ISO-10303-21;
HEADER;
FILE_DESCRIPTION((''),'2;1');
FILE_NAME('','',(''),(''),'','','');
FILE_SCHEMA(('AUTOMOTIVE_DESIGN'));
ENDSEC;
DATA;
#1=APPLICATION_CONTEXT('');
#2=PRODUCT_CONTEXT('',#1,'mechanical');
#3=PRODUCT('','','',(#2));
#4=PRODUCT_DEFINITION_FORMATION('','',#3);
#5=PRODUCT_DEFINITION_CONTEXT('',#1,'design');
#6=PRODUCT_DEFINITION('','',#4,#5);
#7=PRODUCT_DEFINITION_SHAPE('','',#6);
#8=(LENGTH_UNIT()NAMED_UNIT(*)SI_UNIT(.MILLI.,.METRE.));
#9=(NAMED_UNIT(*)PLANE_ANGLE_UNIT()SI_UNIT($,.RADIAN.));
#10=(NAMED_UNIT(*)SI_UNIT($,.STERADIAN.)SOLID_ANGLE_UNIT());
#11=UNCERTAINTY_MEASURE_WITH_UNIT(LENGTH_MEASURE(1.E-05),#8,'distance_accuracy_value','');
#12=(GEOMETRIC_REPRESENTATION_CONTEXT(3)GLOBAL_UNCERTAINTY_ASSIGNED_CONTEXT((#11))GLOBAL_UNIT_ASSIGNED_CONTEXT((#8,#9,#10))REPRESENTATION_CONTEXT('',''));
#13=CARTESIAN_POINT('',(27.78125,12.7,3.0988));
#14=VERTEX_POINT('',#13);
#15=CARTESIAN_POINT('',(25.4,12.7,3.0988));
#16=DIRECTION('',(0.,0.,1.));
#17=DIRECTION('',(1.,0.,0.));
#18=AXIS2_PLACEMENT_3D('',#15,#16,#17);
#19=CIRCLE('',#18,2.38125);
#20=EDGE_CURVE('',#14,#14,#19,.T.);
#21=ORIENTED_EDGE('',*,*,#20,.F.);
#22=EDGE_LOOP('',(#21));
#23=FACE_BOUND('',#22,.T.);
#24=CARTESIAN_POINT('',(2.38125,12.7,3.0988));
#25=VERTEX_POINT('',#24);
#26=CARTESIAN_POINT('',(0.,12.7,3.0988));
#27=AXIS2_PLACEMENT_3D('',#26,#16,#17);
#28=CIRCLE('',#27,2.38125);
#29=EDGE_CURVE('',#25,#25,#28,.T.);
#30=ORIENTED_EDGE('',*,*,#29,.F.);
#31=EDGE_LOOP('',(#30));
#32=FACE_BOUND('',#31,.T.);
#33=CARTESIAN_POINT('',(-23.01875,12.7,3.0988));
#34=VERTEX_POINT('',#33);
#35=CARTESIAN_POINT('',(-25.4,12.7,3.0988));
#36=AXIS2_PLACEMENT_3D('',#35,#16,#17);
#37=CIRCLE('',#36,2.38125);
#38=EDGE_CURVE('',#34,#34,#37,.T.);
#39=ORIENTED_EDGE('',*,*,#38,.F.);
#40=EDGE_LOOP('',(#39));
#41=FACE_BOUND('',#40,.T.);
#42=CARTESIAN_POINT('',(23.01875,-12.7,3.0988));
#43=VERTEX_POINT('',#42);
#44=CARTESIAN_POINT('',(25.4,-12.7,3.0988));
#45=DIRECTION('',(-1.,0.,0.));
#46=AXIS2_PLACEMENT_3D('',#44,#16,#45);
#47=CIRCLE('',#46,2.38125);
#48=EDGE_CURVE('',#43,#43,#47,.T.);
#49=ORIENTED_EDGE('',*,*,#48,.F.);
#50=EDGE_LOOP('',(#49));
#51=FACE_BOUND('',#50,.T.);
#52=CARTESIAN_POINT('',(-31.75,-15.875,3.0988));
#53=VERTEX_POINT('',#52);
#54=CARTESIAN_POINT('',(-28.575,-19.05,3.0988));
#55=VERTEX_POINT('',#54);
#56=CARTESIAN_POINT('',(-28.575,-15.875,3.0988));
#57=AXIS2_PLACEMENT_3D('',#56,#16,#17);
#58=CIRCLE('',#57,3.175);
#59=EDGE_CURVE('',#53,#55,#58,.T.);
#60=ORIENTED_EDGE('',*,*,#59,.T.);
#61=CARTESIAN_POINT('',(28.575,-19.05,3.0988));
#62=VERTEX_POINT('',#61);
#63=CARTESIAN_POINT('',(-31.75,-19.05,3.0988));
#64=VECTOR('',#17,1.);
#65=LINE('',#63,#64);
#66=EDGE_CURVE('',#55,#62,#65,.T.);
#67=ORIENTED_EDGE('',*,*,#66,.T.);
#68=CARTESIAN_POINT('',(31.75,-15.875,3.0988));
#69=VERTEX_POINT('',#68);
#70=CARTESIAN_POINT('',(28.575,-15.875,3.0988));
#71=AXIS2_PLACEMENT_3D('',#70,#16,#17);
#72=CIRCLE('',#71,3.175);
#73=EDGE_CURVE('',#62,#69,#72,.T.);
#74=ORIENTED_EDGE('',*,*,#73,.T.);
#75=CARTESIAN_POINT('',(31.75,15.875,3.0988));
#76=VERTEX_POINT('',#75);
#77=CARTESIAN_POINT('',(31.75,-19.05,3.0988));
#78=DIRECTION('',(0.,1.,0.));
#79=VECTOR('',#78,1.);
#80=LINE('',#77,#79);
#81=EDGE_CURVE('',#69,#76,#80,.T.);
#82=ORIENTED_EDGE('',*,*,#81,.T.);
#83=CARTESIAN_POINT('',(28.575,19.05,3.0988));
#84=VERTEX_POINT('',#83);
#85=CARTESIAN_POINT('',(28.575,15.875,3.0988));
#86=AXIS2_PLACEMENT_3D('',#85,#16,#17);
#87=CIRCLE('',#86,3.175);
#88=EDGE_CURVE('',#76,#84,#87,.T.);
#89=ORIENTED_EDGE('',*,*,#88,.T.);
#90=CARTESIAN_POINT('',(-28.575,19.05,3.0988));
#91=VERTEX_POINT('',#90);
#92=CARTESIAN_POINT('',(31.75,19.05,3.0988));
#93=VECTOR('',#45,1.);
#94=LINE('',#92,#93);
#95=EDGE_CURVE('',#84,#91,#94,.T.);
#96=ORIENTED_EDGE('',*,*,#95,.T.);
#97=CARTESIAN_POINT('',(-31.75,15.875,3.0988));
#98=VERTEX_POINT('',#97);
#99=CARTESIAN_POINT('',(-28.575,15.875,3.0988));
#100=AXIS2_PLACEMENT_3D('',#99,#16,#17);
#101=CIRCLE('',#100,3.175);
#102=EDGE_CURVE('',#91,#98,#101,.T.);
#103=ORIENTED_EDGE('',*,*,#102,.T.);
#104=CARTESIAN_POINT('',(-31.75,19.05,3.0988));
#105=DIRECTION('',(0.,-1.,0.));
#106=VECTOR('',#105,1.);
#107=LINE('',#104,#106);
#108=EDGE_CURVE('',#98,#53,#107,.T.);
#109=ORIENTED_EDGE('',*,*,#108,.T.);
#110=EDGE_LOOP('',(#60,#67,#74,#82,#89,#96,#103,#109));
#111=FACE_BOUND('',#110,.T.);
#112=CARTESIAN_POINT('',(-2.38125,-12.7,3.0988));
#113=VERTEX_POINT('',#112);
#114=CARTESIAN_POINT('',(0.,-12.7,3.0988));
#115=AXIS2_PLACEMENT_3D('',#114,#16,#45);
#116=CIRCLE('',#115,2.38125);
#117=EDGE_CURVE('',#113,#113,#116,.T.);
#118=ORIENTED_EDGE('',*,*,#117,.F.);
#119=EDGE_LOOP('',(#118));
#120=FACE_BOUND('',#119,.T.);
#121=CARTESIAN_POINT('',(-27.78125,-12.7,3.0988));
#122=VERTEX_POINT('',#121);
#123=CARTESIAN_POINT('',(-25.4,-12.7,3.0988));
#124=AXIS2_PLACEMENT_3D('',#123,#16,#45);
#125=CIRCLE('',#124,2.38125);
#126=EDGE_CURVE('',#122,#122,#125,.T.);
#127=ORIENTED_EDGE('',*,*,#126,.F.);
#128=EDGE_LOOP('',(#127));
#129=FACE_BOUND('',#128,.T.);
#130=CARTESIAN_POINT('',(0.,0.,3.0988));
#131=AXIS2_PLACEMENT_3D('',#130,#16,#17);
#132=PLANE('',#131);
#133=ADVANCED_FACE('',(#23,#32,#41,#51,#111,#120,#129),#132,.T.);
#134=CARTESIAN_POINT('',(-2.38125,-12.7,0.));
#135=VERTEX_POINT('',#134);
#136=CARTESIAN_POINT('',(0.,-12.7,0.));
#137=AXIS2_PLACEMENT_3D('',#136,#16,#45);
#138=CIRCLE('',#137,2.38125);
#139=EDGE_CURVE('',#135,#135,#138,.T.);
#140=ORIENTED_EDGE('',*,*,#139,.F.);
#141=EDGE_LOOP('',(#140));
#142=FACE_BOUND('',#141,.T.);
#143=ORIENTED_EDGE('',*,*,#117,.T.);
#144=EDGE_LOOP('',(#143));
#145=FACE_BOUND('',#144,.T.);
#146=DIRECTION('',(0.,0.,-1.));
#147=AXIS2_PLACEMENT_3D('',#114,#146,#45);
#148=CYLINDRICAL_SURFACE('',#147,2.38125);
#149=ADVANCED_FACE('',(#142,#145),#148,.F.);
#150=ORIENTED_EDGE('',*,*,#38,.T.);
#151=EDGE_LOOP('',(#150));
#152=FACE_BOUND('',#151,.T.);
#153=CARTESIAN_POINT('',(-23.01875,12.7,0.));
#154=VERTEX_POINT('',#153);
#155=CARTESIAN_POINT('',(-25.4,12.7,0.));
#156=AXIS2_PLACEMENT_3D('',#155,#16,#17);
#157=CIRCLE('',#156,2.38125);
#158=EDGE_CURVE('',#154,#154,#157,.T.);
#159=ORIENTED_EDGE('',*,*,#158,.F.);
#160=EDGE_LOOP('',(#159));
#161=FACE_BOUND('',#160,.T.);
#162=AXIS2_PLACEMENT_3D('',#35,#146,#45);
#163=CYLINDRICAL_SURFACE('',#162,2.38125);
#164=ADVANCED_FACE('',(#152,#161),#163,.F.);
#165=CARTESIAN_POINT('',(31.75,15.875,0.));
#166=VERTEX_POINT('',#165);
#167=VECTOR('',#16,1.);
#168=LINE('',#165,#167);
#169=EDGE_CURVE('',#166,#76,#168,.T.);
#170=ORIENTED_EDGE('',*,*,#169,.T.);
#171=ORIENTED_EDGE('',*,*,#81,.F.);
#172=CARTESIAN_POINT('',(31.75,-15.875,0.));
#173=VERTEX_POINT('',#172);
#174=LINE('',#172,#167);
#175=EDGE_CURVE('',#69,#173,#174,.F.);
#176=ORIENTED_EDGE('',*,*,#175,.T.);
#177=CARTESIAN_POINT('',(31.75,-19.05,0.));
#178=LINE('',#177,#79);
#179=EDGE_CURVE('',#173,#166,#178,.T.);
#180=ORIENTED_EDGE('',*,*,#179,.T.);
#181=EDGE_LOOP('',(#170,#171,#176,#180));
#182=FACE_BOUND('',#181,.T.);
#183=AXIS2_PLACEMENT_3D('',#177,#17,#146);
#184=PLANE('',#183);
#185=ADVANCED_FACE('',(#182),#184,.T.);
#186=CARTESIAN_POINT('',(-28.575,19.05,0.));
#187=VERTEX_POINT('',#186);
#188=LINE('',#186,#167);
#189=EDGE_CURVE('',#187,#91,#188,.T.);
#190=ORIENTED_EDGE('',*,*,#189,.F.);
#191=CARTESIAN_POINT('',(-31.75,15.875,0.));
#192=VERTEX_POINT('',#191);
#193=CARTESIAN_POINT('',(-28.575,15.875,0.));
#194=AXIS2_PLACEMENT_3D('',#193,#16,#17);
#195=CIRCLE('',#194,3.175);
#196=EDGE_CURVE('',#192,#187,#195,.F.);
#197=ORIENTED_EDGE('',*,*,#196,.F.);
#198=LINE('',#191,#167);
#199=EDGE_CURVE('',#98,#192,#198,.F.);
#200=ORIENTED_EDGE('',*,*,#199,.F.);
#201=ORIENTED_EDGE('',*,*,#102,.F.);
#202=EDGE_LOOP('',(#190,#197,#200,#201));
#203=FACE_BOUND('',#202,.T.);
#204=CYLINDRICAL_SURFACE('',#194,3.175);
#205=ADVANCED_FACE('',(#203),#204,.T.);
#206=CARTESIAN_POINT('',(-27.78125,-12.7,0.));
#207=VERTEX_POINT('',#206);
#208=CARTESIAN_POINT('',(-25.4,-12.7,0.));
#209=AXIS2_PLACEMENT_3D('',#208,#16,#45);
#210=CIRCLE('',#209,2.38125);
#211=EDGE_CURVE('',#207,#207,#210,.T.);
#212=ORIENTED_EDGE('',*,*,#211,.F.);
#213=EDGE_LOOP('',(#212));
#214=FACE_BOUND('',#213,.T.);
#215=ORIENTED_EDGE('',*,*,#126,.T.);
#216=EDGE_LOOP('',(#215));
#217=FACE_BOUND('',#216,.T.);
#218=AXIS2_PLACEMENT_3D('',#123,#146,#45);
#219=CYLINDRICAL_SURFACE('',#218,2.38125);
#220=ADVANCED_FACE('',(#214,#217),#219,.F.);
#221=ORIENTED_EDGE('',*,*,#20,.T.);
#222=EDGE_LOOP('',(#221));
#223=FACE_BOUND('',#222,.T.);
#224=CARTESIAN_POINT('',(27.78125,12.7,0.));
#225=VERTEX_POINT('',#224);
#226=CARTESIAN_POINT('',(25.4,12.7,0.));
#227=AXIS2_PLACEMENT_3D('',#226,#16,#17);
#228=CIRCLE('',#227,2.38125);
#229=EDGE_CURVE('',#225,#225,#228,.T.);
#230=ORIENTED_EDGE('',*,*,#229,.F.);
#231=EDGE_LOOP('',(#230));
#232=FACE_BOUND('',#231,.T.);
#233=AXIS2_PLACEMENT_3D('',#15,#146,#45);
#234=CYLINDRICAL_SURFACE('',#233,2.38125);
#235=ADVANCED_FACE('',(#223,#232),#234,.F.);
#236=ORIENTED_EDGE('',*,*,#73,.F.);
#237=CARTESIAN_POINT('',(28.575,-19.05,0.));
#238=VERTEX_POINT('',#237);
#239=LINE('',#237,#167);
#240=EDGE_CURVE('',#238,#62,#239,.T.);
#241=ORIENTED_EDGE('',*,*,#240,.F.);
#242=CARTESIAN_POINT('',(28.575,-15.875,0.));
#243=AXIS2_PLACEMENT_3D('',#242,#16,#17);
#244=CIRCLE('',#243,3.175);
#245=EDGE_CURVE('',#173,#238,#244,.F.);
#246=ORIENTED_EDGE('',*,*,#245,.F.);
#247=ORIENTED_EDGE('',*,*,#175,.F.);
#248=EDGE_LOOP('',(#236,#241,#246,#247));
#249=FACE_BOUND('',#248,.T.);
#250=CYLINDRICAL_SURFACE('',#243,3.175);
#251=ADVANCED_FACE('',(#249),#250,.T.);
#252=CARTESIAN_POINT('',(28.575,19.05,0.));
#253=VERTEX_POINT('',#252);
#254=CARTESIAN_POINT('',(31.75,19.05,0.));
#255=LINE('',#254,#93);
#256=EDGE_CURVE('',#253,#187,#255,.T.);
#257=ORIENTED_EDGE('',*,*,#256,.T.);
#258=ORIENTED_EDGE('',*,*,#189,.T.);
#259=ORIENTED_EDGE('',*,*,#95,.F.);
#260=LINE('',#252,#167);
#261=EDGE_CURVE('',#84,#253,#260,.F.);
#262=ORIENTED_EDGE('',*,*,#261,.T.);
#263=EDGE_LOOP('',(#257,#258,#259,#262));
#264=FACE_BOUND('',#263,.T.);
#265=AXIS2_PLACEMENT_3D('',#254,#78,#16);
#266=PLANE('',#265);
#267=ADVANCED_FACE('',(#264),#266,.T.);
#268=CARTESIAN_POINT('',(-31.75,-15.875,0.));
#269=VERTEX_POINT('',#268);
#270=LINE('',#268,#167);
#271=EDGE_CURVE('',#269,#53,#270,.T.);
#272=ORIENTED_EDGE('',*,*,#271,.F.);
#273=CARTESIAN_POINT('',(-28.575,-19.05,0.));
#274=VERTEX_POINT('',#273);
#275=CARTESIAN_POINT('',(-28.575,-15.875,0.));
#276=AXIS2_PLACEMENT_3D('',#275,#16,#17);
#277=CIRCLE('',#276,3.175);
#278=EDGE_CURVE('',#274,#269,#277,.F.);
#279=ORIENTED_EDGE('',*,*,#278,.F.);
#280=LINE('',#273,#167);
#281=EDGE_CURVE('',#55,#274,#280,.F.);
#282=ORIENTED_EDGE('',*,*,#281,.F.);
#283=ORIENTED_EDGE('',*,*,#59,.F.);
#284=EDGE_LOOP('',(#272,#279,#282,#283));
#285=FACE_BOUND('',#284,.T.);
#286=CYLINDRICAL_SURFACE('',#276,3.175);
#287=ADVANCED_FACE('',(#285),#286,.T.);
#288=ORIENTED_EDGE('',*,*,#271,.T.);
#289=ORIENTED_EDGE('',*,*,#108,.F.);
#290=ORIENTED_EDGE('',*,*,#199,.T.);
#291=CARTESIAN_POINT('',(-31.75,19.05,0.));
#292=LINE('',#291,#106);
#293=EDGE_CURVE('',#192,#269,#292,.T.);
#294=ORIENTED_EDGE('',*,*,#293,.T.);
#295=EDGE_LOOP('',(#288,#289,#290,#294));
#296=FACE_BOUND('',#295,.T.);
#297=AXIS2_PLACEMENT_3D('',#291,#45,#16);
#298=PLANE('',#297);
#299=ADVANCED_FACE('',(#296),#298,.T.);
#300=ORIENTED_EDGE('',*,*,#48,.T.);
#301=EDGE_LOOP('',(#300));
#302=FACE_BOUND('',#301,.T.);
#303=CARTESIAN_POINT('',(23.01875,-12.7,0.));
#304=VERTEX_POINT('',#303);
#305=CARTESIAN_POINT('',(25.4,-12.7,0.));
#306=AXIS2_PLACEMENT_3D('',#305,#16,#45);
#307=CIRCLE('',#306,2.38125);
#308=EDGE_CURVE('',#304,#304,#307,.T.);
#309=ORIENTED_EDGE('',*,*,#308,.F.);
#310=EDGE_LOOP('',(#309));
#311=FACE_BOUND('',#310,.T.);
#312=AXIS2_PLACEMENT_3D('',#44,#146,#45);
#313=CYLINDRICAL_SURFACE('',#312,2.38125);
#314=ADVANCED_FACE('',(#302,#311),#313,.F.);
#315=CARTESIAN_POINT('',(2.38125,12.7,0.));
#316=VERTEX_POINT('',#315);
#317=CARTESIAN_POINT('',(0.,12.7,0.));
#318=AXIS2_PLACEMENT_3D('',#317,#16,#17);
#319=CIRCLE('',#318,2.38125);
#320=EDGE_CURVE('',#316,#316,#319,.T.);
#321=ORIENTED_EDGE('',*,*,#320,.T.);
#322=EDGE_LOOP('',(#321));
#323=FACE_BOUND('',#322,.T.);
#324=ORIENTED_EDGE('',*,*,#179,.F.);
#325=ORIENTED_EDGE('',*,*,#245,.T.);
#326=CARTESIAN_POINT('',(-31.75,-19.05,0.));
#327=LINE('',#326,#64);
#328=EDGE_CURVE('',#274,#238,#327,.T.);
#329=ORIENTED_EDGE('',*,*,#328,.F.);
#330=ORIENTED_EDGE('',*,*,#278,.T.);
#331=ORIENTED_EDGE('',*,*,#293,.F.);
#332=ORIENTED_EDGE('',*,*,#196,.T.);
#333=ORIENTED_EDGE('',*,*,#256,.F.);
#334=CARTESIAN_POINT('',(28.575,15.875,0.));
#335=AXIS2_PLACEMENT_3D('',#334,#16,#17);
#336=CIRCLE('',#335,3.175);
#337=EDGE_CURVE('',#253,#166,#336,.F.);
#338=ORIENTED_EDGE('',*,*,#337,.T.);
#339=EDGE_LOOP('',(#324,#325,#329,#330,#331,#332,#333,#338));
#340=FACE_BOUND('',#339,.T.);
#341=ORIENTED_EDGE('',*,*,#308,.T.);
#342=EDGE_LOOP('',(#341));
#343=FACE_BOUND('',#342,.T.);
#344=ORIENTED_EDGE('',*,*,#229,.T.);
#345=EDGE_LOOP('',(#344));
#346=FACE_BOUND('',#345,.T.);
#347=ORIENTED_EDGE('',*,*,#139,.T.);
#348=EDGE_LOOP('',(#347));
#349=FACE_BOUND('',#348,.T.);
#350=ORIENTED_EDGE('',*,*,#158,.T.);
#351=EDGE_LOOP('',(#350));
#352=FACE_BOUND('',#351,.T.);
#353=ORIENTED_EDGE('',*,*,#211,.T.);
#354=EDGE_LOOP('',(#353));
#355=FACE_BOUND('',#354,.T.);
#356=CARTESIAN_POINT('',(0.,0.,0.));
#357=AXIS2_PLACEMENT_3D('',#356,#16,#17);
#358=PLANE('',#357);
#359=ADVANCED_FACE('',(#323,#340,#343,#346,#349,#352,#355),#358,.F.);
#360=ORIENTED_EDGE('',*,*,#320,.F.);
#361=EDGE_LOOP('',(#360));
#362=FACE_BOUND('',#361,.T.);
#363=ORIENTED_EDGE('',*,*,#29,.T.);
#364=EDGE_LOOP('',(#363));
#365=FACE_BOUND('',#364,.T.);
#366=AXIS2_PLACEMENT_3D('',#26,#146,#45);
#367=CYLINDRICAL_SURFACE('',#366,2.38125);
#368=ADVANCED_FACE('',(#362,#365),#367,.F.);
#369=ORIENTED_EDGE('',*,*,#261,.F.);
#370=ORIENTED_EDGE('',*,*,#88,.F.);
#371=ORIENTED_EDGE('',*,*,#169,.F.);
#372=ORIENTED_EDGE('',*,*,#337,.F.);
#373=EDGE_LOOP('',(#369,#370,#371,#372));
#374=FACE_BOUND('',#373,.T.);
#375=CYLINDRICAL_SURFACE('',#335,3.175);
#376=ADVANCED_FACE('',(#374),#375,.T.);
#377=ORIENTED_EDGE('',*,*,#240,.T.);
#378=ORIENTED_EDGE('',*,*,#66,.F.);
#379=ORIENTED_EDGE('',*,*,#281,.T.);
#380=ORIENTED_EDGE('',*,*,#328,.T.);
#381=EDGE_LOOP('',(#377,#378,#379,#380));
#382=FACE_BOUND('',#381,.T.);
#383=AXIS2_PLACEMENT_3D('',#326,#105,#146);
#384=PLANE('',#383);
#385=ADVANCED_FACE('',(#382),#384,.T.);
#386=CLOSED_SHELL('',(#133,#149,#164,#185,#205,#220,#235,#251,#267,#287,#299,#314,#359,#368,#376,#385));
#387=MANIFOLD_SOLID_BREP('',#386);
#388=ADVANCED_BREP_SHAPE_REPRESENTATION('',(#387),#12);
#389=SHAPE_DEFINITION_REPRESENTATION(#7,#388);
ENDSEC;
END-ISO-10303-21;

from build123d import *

# Parameters (mm, degrees)
SKETCH1_W           = 76.2
SKETCH1_H           = 50.8
SKETCH1_R           = 2.38125
BOSS_EXTRUDE1_DEPTH = 3.0988
FILLET1_R           = 3.175
SKETCH2_W           = 63.5
SKETCH2_H           = 38.1
CUT_EXTRUDE1_DEPTH  = 46.895234627
FILLET3_R           = 3.175


with BuildPart() as part:
    # Sketch1 → Boss-Extrude1 (new body)
    with BuildSketch(Plane.XY):
        Rectangle(SKETCH1_W, SKETCH1_H)
        with Locations((-25.4, 12.7)):
            Circle(SKETCH1_R, mode=Mode.SUBTRACT)
        with Locations((0, 12.7)):
            Circle(SKETCH1_R, mode=Mode.SUBTRACT)
        with Locations((25.4, 12.7)):
            Circle(SKETCH1_R, mode=Mode.SUBTRACT)
        with Locations(Location((25.4, -12.7, 0), (0, 0, 180))):
            Circle(SKETCH1_R, mode=Mode.SUBTRACT)
        with Locations(Location((0, -12.7, 0), (0, 0, 180))):
            Circle(SKETCH1_R, mode=Mode.SUBTRACT)
        with Locations(Location((-25.4, -12.7, 0), (0, 0, 180))):
            Circle(SKETCH1_R, mode=Mode.SUBTRACT)
    extrude(amount=BOSS_EXTRUDE1_DEPTH)

    # Fillet1
    fillet1_edges = [part.edges().sort_by_distance(p)[0] for p in [
        (-38.1, 25.4, 1.5494),
        (38.1, 25.4, 1.5494),
        (38.1, -25.4, 1.5494),
        (-38.1, -25.4, 1.5494),
    ]]
    fillet(fillet1_edges, radius=FILLET1_R)

    # Sketch2 → Cut-Extrude1 (cut, through all)
    with BuildSketch(Plane.XY.offset(3.0988)):
        with BuildLine():
            Line((38.1, -22.225), (38.1, 22.225))
            ThreePointArc((38.1, 22.225), (37.17006403, 24.47006403), (34.925, 25.4))
            Line((34.925, 25.4), (-34.925, 25.4))
            ThreePointArc((-34.925, 25.4), (-37.17006403, 24.47006403), (-38.1, 22.225))
            Line((-38.1, 22.225), (-38.1, -22.225))
            ThreePointArc((-38.1, -22.225), (-37.17006403, -24.47006403), (-34.925, -25.4))
            Line((-34.925, -25.4), (34.925, -25.4))
            ThreePointArc((34.925, -25.4), (37.17006403, -24.47006403), (38.1, -22.225))
        make_face()
        Rectangle(SKETCH2_W, SKETCH2_H, mode=Mode.SUBTRACT)
    extrude(amount=-CUT_EXTRUDE1_DEPTH, mode=Mode.SUBTRACT)

    # Fillet3
    fillet3_edges = [part.edges().sort_by_distance(p)[0] for p in [
        (31.75, -19.05, 1.5494),
        (-31.75, -19.05, 1.5494),
        (-31.75, 19.05, 1.5494),
        (31.75, 19.05, 1.5494),
    ]]
    fillet(fillet3_edges, radius=FILLET3_R)


solid = part.part
